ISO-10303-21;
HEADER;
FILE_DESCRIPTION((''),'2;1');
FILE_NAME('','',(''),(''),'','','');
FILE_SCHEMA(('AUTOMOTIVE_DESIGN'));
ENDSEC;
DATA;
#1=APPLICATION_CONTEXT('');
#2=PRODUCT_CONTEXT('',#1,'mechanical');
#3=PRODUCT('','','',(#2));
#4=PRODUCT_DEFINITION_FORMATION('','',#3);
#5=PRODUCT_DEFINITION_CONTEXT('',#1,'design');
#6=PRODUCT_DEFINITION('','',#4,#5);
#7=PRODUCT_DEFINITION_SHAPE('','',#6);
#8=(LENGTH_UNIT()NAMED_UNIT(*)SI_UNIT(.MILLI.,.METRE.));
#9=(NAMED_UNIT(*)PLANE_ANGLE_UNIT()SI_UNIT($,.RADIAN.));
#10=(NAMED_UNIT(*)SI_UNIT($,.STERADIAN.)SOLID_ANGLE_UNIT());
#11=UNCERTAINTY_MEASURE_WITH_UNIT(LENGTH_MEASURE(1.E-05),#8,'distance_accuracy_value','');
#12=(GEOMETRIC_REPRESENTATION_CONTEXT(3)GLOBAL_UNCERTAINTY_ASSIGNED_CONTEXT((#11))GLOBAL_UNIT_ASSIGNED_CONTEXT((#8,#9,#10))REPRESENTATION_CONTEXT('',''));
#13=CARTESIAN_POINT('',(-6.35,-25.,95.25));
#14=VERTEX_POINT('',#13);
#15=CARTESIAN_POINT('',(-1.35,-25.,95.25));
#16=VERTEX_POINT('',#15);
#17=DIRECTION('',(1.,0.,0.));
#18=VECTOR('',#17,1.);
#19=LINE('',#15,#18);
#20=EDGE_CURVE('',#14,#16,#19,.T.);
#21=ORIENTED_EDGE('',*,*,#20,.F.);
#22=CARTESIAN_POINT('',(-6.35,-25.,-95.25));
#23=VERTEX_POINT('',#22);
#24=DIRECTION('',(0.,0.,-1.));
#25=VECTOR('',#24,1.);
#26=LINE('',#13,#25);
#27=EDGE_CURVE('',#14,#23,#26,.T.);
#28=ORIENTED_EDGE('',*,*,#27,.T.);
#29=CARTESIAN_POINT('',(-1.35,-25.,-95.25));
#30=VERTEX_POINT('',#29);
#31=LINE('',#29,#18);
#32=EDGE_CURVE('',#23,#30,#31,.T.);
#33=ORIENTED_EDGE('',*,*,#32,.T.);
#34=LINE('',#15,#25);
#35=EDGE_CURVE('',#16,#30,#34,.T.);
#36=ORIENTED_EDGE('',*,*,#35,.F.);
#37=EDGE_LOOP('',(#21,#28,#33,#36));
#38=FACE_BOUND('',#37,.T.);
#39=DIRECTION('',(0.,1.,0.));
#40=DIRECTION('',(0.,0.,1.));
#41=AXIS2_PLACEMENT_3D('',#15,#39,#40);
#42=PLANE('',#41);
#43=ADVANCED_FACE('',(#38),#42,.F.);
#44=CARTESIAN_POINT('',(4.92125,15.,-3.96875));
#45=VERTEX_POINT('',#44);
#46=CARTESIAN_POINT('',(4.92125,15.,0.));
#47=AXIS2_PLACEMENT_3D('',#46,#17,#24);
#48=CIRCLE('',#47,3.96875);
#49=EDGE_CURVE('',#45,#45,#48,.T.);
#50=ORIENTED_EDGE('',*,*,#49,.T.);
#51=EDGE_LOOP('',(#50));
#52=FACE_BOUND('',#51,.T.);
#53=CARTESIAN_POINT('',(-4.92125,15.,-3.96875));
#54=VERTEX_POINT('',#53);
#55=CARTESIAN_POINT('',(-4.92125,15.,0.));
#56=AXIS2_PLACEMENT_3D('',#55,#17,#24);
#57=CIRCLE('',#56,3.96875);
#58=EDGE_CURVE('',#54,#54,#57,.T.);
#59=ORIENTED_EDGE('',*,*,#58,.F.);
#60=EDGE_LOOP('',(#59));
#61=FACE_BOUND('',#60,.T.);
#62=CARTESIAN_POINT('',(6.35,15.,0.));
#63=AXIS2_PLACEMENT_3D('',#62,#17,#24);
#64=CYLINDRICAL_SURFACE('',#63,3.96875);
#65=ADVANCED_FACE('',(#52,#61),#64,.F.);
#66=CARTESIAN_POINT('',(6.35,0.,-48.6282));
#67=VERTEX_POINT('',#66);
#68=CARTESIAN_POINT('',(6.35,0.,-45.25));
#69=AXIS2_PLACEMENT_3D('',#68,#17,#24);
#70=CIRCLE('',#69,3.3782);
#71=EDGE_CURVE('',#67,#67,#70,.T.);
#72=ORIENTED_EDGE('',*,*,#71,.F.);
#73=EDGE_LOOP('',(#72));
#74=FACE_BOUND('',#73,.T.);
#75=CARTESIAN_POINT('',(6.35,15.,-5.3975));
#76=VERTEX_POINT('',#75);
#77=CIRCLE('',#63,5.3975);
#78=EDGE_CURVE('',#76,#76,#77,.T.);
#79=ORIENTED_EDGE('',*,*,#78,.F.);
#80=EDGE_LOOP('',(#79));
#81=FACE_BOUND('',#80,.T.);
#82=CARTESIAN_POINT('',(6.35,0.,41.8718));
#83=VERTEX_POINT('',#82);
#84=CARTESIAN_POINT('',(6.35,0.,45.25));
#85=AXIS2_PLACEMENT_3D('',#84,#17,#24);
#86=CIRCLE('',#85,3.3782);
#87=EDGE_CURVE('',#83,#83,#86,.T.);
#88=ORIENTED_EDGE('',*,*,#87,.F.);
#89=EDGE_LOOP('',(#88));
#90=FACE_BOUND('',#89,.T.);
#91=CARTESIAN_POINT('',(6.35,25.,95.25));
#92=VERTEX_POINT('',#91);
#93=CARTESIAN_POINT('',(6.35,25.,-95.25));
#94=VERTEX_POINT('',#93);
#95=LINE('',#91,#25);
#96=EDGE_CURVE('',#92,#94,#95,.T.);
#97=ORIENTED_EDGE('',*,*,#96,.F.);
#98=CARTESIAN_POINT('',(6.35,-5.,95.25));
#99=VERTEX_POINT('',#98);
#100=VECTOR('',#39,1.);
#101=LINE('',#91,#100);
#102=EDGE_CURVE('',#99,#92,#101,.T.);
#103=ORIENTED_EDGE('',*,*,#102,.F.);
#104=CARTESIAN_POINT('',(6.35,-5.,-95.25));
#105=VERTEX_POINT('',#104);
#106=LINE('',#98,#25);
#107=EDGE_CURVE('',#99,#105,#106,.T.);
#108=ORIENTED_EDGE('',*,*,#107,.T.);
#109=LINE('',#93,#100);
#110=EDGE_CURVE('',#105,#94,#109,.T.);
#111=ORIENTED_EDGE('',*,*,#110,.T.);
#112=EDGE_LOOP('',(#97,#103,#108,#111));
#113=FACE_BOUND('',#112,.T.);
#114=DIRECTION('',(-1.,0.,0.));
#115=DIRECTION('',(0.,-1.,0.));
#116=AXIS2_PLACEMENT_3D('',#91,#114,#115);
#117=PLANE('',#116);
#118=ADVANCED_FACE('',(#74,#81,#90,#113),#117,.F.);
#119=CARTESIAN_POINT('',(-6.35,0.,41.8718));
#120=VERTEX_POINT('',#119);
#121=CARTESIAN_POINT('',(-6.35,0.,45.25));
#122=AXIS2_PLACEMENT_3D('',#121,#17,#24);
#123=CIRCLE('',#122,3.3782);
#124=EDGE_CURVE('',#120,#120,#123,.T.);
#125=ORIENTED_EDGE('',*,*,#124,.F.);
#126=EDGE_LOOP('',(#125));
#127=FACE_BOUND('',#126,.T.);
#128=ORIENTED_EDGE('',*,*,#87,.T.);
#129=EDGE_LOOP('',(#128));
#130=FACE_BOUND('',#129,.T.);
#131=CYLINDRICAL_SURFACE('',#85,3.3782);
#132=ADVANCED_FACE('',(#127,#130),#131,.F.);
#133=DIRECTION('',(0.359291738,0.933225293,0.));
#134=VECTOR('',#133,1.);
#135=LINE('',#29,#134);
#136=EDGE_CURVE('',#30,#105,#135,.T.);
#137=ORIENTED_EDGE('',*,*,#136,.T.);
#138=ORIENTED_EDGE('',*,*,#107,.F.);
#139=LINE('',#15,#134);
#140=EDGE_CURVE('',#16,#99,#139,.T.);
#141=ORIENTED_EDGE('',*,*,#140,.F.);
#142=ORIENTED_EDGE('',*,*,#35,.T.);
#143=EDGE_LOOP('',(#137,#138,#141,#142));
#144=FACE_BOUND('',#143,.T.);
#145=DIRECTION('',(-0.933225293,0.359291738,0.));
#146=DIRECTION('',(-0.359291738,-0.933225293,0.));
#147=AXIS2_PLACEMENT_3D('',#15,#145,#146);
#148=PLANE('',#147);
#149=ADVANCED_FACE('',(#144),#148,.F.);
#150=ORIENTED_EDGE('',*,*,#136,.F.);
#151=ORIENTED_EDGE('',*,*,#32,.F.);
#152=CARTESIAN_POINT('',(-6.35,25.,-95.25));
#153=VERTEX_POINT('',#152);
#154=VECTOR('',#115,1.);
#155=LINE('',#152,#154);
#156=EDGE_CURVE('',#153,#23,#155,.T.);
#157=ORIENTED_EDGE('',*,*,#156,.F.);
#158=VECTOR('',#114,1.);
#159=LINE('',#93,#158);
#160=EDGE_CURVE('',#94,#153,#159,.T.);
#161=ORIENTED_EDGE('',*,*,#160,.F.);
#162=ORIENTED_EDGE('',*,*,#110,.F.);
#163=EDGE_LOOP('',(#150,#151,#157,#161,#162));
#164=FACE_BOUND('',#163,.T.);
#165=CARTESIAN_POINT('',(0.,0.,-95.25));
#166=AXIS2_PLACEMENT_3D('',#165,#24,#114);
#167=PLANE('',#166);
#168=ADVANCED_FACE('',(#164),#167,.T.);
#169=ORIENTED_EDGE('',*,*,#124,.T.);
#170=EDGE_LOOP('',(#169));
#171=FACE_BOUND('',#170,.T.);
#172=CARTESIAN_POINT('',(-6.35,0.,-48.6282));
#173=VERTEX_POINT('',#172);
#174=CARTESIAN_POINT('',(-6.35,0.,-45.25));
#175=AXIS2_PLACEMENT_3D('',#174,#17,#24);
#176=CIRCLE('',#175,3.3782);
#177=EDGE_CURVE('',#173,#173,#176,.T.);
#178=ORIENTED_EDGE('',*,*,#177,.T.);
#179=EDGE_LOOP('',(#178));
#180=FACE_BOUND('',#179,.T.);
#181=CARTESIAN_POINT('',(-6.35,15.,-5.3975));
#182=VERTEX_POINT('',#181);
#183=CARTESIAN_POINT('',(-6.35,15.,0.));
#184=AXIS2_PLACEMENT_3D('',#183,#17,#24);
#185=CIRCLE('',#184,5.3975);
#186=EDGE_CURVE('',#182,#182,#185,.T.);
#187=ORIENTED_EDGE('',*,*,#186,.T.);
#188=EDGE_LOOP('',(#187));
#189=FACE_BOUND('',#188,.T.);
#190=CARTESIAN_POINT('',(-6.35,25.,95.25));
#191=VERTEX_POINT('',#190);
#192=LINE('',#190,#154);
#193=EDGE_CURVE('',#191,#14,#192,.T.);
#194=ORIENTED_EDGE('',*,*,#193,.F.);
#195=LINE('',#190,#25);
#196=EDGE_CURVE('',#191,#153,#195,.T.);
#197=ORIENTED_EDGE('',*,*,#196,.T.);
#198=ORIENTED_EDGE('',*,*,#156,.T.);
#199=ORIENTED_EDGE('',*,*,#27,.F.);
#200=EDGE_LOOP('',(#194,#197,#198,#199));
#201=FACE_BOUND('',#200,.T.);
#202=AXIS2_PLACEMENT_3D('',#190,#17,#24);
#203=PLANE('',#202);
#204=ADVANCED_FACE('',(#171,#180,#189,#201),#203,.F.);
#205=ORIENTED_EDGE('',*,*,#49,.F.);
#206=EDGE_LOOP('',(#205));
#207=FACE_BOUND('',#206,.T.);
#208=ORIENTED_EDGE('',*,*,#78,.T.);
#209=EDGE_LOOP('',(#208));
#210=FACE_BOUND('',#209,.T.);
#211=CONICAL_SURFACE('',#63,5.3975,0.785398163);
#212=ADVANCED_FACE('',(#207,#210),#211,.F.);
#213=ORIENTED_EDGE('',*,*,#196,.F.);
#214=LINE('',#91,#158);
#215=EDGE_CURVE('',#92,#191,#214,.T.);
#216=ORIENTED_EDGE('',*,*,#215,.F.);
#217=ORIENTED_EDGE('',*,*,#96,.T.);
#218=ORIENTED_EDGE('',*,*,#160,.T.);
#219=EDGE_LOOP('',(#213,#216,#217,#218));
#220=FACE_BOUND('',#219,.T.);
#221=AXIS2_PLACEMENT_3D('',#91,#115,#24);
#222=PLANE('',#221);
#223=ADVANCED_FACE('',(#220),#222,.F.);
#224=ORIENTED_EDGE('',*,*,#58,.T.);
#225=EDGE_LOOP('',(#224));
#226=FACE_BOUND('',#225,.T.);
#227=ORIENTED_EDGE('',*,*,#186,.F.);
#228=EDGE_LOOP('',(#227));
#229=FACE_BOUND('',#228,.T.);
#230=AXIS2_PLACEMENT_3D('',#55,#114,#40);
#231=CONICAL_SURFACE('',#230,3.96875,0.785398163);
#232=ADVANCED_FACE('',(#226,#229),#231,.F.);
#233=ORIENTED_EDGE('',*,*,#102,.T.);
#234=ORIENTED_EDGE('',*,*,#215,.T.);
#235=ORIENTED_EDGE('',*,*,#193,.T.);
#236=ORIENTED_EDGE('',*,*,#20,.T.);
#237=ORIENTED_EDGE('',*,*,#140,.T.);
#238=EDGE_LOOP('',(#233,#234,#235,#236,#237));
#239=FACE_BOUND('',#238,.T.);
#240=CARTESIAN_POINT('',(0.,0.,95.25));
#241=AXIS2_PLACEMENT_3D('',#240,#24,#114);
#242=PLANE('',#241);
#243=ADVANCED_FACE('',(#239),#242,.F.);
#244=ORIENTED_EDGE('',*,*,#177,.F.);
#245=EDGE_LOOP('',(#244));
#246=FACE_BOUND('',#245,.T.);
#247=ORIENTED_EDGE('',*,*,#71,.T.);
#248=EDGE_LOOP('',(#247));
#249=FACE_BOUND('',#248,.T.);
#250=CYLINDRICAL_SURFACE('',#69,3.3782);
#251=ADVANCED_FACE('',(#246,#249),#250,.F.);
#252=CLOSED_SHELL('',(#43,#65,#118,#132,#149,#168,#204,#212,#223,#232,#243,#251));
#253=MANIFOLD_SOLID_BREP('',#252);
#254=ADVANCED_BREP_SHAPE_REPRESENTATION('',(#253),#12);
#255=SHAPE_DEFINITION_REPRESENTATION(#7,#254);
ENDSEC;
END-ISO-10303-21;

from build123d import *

# Parameters (mm, degrees)
SALIENTE_EXTRUIR1_DEPTH       = 95.25
TALADRO_DE_MARGEN_PARA_1_41_D = 6.7564


with BuildPart() as part:
    # Croquis1 → Saliente-Extruir1 (new, symmetric)
    with BuildSketch(Plane.XY):
        Polygon((-1.35, -25), (6.35, -5), (6.35, 25), (-6.35, 25), (-6.35, -25), align=None)
    extrude(amount=SALIENTE_EXTRUIR1_DEPTH, both=True)

    # Taladro de margen para 1/41 (through all)
    with Locations(Plane(origin=(6.35, 0, 0), x_dir=(0, 0, -1), z_dir=(1, 0, 0))):
        with Locations((-45.25, 0), (45.25, 0)):
            Hole(TALADRO_DE_MARGEN_PARA_1_41_D / 2)

    # Croquis7 → Taladro roscado 3/8-161 (revolve, cut)
    with BuildSketch(Plane(origin=(6.35, 15, 0), x_dir=(0, 0, -1), z_dir=(0, 1, 0))):
        Polygon((0, 0), (0, 12.7), (5.3975, 12.7), (3.96875, 11.27125), (3.96875, 1.42875), (5.3975, 0), align=None)
    revolve(axis=Axis((12.7, 15, 0), (-1, 0, 0)), mode=Mode.SUBTRACT)


solid = part.part
